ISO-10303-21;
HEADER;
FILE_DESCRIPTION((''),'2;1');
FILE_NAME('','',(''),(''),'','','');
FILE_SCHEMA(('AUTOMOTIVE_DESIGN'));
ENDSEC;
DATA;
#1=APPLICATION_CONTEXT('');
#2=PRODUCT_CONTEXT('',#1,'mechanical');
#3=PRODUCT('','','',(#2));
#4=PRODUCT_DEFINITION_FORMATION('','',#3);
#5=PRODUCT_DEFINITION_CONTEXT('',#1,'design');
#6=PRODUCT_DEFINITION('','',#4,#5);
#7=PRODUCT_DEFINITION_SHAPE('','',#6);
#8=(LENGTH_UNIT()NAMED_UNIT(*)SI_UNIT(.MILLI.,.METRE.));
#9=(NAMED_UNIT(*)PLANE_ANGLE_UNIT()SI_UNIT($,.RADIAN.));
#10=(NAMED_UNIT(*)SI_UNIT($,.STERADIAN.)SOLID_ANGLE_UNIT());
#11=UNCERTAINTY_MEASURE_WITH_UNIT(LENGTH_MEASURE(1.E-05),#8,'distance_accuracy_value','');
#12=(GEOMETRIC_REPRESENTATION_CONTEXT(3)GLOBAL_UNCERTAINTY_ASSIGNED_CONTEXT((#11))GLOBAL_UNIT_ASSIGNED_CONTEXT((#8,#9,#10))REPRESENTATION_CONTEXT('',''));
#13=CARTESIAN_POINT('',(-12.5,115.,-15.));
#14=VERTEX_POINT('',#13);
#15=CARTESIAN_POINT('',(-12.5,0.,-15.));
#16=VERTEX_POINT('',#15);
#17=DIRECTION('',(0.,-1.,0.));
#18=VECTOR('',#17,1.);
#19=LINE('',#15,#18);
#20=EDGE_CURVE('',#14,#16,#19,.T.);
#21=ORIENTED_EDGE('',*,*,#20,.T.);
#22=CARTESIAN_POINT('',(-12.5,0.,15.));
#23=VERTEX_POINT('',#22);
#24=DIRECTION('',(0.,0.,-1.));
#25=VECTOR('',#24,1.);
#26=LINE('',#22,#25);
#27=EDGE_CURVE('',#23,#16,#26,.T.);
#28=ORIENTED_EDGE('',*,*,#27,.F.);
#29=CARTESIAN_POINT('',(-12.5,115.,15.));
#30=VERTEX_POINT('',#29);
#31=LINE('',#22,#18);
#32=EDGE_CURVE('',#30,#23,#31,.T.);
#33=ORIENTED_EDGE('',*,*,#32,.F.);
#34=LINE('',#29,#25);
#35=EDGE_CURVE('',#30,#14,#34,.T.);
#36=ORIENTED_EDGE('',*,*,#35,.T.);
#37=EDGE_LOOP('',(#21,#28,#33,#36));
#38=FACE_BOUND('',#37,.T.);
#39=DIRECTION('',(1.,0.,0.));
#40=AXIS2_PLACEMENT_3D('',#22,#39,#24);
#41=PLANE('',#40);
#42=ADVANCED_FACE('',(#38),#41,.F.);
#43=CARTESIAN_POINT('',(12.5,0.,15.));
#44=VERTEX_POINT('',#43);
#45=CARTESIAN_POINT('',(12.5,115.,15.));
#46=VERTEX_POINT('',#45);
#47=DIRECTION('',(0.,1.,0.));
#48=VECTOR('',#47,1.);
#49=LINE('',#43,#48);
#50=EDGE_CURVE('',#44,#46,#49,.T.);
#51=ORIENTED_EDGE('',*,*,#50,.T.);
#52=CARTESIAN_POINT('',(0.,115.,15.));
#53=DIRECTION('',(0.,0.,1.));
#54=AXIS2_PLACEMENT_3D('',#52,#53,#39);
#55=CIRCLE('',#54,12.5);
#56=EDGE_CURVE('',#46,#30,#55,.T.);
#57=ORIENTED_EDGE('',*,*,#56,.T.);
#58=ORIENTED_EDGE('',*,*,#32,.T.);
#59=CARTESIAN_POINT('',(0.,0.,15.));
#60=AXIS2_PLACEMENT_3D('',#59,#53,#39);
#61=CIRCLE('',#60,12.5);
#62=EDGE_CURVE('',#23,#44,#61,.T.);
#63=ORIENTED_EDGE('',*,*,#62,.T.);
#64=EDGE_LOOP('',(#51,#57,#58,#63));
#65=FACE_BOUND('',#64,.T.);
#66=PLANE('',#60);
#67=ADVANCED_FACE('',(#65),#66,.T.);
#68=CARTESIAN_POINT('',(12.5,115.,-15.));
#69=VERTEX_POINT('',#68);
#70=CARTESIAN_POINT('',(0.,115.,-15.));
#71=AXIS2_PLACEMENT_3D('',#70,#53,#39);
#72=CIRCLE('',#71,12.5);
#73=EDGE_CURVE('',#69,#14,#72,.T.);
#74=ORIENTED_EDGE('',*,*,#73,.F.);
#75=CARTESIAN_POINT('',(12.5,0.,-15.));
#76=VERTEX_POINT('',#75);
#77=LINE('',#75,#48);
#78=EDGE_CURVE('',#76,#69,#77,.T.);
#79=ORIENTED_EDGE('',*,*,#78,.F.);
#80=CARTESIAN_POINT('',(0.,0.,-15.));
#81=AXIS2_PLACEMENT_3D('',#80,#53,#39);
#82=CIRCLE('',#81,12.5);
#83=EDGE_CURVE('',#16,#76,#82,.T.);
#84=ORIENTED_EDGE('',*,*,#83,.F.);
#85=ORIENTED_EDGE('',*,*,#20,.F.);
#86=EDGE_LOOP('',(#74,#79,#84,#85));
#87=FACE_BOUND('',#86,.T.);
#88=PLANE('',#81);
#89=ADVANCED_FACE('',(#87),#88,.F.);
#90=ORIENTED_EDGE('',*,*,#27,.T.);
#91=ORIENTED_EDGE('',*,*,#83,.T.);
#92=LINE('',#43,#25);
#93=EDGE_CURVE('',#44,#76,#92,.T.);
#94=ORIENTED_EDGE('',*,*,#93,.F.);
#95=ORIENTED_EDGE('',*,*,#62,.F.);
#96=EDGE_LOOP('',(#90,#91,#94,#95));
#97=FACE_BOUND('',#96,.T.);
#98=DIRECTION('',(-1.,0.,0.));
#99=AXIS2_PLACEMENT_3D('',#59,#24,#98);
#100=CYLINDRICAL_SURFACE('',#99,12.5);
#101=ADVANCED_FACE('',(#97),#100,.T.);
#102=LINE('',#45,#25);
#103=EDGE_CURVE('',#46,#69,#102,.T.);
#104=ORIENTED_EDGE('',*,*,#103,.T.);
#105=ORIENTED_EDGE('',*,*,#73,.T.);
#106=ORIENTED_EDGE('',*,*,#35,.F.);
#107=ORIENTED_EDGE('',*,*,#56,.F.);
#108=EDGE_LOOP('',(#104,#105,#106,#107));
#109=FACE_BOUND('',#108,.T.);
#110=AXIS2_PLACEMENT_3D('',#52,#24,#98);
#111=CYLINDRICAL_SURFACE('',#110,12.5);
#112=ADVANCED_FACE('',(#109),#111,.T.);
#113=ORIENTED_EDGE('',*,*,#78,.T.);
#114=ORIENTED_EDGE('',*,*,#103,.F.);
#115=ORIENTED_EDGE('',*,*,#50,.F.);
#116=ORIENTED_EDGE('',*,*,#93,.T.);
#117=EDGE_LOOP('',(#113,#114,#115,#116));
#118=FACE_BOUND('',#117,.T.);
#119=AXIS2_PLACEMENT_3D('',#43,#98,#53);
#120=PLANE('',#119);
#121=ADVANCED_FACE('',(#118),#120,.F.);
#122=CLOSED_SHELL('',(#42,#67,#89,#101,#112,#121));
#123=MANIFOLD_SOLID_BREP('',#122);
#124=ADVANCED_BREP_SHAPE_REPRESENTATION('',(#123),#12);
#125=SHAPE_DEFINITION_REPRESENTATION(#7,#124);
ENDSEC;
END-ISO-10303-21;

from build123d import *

# Parameters (mm, degrees)
EXTRUDE_1_DEPTH = 15


with BuildPart() as part:
    # 草图1 → 凸台-拉伸1 (new, symmetric)
    with BuildSketch(Plane.XY):
        with BuildLine():
            Line((-12.5, 0), (-12.5, 115))
            ThreePointArc((-12.5, 115), (0, 127.5), (12.5, 115))
            Line((12.5, 115), (12.5, 0))
            ThreePointArc((12.5, 0), (0, -12.5), (-12.5, 0))
        make_face()
    extrude(amount=EXTRUDE_1_DEPTH, both=True)


solid = part.part
